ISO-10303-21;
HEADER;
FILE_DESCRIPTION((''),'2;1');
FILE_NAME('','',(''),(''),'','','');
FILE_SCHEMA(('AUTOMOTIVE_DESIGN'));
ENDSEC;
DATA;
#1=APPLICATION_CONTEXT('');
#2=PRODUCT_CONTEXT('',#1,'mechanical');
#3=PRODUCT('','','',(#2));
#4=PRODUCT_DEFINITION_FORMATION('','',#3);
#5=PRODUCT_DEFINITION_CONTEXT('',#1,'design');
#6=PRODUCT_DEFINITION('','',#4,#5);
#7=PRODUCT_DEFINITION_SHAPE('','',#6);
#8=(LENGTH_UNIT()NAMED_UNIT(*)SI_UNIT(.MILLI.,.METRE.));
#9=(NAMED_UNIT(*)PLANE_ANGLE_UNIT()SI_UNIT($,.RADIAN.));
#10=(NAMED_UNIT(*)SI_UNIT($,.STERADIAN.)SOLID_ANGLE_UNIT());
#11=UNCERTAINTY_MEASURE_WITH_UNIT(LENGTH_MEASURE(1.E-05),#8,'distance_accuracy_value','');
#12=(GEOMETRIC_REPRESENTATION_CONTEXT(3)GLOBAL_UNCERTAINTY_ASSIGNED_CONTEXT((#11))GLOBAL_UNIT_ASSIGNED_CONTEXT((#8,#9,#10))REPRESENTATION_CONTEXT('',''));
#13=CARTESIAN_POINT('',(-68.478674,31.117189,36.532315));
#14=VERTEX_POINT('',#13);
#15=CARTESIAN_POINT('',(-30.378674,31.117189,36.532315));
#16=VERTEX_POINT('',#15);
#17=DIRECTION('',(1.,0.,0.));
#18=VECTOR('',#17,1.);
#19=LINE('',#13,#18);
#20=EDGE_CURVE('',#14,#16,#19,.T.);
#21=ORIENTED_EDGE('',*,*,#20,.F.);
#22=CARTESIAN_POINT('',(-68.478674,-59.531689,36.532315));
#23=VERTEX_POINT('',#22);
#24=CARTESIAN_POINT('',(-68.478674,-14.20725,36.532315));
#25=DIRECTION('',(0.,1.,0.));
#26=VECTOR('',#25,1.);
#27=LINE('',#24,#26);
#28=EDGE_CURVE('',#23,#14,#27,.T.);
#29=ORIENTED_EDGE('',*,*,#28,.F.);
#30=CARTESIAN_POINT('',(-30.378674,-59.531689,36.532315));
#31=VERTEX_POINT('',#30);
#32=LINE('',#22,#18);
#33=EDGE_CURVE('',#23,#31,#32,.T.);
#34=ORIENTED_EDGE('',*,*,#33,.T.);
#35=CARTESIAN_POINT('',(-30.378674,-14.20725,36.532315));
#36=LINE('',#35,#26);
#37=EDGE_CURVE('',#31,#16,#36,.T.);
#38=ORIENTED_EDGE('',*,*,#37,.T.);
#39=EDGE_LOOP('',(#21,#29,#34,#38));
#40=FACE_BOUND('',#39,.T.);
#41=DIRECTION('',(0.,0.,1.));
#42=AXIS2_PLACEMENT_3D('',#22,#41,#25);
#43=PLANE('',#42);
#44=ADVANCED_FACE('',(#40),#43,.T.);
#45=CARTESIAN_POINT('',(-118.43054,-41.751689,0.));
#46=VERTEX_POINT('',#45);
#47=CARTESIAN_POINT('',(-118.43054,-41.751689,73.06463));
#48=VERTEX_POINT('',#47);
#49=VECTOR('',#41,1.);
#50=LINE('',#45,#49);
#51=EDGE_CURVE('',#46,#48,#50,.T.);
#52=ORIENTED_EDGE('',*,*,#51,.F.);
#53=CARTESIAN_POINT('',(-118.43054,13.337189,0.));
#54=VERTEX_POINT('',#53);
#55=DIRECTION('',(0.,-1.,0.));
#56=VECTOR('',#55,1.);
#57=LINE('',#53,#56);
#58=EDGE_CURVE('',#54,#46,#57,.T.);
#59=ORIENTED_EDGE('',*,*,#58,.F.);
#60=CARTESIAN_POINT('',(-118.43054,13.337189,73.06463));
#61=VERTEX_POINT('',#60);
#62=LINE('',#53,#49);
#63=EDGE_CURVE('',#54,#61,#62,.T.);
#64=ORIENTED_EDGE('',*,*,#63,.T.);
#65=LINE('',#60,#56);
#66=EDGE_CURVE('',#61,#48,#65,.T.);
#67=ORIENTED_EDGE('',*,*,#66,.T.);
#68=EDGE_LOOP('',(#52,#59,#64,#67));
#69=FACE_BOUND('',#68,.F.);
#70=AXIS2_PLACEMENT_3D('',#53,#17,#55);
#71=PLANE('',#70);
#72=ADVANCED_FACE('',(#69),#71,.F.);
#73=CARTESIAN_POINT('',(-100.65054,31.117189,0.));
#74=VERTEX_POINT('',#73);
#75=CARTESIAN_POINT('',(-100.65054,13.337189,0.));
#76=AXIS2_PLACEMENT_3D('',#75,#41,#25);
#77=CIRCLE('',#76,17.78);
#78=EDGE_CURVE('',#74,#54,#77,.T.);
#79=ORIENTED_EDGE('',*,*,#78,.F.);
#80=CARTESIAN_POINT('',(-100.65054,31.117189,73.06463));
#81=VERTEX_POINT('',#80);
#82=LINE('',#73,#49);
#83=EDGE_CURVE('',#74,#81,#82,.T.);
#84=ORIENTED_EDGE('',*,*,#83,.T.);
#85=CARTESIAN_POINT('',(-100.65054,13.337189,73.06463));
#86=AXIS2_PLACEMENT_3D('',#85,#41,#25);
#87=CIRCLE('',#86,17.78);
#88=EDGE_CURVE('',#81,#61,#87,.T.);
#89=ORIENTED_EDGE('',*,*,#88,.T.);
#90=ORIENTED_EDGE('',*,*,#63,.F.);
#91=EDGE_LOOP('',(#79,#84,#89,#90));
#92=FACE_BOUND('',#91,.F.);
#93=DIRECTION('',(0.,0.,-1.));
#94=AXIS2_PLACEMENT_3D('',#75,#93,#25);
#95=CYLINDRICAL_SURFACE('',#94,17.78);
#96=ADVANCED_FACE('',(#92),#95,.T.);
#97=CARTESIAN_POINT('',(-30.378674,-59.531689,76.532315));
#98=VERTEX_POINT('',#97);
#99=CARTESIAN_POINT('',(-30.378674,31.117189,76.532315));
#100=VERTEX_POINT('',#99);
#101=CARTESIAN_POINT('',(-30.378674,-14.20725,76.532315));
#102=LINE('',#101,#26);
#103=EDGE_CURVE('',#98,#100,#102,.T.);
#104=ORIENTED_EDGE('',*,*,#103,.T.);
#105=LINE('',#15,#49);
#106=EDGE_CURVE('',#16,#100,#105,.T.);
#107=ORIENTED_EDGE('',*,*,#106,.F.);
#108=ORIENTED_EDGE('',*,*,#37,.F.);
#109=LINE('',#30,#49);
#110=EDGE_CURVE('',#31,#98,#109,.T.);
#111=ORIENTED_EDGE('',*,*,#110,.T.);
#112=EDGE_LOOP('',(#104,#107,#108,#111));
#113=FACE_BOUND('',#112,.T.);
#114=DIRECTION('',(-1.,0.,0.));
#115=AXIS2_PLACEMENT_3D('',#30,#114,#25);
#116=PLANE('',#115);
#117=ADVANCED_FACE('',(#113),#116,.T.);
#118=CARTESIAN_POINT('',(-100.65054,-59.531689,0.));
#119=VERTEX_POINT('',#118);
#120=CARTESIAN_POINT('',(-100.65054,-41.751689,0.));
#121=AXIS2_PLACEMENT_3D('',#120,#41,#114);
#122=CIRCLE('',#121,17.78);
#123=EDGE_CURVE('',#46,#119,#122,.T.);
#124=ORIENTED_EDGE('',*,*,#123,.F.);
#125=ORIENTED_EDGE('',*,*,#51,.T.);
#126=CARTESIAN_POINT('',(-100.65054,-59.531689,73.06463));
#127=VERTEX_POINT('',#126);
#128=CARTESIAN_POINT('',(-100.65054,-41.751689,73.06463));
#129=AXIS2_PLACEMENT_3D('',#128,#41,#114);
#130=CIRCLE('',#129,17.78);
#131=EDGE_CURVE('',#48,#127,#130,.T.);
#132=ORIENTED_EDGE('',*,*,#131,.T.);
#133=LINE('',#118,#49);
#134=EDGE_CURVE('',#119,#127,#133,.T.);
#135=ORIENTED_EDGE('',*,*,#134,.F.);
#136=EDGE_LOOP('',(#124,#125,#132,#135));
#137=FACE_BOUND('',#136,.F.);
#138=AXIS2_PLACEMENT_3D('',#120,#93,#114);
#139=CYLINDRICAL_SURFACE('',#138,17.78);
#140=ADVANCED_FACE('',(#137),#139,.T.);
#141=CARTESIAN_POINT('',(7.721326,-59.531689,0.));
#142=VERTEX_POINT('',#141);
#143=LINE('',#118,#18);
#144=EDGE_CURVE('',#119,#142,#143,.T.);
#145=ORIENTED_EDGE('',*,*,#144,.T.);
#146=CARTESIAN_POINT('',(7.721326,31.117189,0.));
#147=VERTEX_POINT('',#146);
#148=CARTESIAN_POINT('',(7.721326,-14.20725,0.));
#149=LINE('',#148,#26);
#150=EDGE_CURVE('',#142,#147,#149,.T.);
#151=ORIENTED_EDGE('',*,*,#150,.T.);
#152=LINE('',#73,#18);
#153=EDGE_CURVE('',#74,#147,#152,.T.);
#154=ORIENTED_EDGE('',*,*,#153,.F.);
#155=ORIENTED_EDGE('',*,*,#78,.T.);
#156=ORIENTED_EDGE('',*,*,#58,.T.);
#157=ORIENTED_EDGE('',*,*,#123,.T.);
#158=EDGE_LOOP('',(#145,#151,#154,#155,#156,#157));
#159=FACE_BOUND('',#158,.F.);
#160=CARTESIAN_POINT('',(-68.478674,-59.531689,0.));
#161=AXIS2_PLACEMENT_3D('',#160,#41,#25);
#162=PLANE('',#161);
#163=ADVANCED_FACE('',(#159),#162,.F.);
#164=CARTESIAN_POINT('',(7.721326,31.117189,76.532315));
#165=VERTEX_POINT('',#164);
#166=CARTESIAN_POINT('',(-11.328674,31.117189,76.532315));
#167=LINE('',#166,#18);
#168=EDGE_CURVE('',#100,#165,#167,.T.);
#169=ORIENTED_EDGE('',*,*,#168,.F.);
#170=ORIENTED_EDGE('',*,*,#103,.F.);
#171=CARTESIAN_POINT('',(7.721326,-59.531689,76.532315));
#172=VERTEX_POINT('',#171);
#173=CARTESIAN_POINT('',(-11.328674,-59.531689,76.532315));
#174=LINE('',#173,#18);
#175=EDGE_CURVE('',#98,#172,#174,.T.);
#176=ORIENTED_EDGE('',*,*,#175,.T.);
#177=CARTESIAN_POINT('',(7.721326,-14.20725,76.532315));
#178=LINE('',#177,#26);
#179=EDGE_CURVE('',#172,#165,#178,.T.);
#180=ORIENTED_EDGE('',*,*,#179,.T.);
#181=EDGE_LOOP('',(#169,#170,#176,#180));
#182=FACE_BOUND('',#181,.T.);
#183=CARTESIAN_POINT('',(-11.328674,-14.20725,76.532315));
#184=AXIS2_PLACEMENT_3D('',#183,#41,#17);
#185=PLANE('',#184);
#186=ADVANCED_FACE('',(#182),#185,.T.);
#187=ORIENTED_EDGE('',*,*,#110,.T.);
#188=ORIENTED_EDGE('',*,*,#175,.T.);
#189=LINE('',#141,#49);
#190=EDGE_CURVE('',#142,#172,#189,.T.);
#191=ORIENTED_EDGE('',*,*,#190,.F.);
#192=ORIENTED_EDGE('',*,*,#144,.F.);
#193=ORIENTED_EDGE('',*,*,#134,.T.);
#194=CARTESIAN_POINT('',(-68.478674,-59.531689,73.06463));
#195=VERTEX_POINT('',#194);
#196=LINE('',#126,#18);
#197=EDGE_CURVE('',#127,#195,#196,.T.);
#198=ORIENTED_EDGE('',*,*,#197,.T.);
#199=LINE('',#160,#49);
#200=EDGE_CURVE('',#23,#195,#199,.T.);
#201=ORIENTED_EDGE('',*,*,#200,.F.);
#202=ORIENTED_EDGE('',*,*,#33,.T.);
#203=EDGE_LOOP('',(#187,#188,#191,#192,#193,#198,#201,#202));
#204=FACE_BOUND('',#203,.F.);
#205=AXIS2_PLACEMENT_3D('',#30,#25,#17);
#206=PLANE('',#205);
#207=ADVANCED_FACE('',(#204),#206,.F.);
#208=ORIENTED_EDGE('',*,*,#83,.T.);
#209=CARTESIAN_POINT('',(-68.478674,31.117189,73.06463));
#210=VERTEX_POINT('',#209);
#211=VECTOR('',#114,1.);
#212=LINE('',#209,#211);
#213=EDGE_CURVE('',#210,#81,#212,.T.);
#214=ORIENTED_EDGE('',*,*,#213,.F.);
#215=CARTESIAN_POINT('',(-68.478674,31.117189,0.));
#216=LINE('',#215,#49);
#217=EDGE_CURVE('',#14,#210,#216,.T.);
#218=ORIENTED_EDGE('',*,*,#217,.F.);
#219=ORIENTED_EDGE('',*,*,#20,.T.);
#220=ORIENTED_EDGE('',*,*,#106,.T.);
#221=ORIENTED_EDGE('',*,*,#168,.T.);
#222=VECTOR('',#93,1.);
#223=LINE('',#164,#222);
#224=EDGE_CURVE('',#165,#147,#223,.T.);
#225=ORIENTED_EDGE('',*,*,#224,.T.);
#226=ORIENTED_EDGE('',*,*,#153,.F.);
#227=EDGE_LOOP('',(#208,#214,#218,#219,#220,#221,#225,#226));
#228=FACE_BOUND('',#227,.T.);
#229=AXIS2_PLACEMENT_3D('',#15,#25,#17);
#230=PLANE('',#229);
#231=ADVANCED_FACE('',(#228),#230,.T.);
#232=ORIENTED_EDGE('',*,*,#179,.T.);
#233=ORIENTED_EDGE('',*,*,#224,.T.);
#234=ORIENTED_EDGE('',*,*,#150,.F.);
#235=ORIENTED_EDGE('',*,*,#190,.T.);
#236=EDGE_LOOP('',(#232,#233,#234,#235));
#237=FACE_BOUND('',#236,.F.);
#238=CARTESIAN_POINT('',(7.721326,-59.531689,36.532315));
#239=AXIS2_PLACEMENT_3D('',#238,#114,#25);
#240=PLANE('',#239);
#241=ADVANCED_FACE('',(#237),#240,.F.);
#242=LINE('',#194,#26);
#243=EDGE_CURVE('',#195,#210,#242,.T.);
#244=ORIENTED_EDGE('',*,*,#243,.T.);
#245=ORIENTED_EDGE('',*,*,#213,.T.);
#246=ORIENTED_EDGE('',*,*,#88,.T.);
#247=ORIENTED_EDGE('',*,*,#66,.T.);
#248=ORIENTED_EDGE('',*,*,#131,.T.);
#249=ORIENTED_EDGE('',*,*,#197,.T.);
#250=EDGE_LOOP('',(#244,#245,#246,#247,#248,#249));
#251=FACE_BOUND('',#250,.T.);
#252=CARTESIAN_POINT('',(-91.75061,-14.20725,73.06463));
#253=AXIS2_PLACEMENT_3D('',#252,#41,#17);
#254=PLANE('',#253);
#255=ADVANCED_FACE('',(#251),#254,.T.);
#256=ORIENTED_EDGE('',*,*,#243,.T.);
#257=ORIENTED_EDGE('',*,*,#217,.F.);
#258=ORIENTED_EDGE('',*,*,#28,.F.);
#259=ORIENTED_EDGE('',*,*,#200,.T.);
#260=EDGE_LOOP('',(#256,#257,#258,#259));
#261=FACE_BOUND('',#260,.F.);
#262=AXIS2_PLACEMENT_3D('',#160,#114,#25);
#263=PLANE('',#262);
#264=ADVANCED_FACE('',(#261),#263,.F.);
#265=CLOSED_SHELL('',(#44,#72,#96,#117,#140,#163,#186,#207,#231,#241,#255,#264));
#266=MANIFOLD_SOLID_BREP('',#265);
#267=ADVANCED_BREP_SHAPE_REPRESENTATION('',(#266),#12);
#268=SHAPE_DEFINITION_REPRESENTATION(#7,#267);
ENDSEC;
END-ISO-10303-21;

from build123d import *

# Parameters (mm, degrees)
F1_DEPTH = 73.06463
F2_W     = 90.6488774794
F2_H     = 36.532315
F3_DEPTH = 76.2
F4_W     = 38.1
F4_H     = 90.6488774794
F5_DEPTH = 40


with BuildPart() as f1:
    # F0 (on Top) → F1 (new body)
    with BuildSketch(Plane.XY):
        with BuildLine():
            Line((-68.4786736965, 31.1171887892), (-100.6505399656, 31.1171887892))
            ThreePointArc((-100.6505399656, 31.1171887892), (-113.2228985351, 25.9095473587), (-118.4305399656, 13.3371887892))
            Line((-118.4305399656, 13.3371887892), (-118.4305399656, -41.7516886902))
            ThreePointArc((-118.4305399656, -41.7516886902), (-113.2228985351, -54.3240472597), (-100.6505399656, -59.5316886902))
            Line((-100.6505399656, -59.5316886902), (-68.4786736965, -59.5316886902))
            Line((-68.4786736965, -59.5316886902), (-68.4786736965, 31.1171887892))
        make_face()
    extrude(amount=F1_DEPTH)

    # F2 (on face) → F3 (join)
    with BuildSketch(Plane.YZ.offset(-68.4786736965)):
        with Locations((-14.2072499505, 18.2661575)):
            Rectangle(F2_W, F2_H)
    extrude(amount=F3_DEPTH)

    # F4 (on face) → F5 (join)
    with BuildSketch(Plane.XY.offset(36.532315)):
        with Locations((-11.3286736965, -14.2072499505)):
            Rectangle(F4_W, F4_H)
    extrude(amount=F5_DEPTH)


solid = f1.part
